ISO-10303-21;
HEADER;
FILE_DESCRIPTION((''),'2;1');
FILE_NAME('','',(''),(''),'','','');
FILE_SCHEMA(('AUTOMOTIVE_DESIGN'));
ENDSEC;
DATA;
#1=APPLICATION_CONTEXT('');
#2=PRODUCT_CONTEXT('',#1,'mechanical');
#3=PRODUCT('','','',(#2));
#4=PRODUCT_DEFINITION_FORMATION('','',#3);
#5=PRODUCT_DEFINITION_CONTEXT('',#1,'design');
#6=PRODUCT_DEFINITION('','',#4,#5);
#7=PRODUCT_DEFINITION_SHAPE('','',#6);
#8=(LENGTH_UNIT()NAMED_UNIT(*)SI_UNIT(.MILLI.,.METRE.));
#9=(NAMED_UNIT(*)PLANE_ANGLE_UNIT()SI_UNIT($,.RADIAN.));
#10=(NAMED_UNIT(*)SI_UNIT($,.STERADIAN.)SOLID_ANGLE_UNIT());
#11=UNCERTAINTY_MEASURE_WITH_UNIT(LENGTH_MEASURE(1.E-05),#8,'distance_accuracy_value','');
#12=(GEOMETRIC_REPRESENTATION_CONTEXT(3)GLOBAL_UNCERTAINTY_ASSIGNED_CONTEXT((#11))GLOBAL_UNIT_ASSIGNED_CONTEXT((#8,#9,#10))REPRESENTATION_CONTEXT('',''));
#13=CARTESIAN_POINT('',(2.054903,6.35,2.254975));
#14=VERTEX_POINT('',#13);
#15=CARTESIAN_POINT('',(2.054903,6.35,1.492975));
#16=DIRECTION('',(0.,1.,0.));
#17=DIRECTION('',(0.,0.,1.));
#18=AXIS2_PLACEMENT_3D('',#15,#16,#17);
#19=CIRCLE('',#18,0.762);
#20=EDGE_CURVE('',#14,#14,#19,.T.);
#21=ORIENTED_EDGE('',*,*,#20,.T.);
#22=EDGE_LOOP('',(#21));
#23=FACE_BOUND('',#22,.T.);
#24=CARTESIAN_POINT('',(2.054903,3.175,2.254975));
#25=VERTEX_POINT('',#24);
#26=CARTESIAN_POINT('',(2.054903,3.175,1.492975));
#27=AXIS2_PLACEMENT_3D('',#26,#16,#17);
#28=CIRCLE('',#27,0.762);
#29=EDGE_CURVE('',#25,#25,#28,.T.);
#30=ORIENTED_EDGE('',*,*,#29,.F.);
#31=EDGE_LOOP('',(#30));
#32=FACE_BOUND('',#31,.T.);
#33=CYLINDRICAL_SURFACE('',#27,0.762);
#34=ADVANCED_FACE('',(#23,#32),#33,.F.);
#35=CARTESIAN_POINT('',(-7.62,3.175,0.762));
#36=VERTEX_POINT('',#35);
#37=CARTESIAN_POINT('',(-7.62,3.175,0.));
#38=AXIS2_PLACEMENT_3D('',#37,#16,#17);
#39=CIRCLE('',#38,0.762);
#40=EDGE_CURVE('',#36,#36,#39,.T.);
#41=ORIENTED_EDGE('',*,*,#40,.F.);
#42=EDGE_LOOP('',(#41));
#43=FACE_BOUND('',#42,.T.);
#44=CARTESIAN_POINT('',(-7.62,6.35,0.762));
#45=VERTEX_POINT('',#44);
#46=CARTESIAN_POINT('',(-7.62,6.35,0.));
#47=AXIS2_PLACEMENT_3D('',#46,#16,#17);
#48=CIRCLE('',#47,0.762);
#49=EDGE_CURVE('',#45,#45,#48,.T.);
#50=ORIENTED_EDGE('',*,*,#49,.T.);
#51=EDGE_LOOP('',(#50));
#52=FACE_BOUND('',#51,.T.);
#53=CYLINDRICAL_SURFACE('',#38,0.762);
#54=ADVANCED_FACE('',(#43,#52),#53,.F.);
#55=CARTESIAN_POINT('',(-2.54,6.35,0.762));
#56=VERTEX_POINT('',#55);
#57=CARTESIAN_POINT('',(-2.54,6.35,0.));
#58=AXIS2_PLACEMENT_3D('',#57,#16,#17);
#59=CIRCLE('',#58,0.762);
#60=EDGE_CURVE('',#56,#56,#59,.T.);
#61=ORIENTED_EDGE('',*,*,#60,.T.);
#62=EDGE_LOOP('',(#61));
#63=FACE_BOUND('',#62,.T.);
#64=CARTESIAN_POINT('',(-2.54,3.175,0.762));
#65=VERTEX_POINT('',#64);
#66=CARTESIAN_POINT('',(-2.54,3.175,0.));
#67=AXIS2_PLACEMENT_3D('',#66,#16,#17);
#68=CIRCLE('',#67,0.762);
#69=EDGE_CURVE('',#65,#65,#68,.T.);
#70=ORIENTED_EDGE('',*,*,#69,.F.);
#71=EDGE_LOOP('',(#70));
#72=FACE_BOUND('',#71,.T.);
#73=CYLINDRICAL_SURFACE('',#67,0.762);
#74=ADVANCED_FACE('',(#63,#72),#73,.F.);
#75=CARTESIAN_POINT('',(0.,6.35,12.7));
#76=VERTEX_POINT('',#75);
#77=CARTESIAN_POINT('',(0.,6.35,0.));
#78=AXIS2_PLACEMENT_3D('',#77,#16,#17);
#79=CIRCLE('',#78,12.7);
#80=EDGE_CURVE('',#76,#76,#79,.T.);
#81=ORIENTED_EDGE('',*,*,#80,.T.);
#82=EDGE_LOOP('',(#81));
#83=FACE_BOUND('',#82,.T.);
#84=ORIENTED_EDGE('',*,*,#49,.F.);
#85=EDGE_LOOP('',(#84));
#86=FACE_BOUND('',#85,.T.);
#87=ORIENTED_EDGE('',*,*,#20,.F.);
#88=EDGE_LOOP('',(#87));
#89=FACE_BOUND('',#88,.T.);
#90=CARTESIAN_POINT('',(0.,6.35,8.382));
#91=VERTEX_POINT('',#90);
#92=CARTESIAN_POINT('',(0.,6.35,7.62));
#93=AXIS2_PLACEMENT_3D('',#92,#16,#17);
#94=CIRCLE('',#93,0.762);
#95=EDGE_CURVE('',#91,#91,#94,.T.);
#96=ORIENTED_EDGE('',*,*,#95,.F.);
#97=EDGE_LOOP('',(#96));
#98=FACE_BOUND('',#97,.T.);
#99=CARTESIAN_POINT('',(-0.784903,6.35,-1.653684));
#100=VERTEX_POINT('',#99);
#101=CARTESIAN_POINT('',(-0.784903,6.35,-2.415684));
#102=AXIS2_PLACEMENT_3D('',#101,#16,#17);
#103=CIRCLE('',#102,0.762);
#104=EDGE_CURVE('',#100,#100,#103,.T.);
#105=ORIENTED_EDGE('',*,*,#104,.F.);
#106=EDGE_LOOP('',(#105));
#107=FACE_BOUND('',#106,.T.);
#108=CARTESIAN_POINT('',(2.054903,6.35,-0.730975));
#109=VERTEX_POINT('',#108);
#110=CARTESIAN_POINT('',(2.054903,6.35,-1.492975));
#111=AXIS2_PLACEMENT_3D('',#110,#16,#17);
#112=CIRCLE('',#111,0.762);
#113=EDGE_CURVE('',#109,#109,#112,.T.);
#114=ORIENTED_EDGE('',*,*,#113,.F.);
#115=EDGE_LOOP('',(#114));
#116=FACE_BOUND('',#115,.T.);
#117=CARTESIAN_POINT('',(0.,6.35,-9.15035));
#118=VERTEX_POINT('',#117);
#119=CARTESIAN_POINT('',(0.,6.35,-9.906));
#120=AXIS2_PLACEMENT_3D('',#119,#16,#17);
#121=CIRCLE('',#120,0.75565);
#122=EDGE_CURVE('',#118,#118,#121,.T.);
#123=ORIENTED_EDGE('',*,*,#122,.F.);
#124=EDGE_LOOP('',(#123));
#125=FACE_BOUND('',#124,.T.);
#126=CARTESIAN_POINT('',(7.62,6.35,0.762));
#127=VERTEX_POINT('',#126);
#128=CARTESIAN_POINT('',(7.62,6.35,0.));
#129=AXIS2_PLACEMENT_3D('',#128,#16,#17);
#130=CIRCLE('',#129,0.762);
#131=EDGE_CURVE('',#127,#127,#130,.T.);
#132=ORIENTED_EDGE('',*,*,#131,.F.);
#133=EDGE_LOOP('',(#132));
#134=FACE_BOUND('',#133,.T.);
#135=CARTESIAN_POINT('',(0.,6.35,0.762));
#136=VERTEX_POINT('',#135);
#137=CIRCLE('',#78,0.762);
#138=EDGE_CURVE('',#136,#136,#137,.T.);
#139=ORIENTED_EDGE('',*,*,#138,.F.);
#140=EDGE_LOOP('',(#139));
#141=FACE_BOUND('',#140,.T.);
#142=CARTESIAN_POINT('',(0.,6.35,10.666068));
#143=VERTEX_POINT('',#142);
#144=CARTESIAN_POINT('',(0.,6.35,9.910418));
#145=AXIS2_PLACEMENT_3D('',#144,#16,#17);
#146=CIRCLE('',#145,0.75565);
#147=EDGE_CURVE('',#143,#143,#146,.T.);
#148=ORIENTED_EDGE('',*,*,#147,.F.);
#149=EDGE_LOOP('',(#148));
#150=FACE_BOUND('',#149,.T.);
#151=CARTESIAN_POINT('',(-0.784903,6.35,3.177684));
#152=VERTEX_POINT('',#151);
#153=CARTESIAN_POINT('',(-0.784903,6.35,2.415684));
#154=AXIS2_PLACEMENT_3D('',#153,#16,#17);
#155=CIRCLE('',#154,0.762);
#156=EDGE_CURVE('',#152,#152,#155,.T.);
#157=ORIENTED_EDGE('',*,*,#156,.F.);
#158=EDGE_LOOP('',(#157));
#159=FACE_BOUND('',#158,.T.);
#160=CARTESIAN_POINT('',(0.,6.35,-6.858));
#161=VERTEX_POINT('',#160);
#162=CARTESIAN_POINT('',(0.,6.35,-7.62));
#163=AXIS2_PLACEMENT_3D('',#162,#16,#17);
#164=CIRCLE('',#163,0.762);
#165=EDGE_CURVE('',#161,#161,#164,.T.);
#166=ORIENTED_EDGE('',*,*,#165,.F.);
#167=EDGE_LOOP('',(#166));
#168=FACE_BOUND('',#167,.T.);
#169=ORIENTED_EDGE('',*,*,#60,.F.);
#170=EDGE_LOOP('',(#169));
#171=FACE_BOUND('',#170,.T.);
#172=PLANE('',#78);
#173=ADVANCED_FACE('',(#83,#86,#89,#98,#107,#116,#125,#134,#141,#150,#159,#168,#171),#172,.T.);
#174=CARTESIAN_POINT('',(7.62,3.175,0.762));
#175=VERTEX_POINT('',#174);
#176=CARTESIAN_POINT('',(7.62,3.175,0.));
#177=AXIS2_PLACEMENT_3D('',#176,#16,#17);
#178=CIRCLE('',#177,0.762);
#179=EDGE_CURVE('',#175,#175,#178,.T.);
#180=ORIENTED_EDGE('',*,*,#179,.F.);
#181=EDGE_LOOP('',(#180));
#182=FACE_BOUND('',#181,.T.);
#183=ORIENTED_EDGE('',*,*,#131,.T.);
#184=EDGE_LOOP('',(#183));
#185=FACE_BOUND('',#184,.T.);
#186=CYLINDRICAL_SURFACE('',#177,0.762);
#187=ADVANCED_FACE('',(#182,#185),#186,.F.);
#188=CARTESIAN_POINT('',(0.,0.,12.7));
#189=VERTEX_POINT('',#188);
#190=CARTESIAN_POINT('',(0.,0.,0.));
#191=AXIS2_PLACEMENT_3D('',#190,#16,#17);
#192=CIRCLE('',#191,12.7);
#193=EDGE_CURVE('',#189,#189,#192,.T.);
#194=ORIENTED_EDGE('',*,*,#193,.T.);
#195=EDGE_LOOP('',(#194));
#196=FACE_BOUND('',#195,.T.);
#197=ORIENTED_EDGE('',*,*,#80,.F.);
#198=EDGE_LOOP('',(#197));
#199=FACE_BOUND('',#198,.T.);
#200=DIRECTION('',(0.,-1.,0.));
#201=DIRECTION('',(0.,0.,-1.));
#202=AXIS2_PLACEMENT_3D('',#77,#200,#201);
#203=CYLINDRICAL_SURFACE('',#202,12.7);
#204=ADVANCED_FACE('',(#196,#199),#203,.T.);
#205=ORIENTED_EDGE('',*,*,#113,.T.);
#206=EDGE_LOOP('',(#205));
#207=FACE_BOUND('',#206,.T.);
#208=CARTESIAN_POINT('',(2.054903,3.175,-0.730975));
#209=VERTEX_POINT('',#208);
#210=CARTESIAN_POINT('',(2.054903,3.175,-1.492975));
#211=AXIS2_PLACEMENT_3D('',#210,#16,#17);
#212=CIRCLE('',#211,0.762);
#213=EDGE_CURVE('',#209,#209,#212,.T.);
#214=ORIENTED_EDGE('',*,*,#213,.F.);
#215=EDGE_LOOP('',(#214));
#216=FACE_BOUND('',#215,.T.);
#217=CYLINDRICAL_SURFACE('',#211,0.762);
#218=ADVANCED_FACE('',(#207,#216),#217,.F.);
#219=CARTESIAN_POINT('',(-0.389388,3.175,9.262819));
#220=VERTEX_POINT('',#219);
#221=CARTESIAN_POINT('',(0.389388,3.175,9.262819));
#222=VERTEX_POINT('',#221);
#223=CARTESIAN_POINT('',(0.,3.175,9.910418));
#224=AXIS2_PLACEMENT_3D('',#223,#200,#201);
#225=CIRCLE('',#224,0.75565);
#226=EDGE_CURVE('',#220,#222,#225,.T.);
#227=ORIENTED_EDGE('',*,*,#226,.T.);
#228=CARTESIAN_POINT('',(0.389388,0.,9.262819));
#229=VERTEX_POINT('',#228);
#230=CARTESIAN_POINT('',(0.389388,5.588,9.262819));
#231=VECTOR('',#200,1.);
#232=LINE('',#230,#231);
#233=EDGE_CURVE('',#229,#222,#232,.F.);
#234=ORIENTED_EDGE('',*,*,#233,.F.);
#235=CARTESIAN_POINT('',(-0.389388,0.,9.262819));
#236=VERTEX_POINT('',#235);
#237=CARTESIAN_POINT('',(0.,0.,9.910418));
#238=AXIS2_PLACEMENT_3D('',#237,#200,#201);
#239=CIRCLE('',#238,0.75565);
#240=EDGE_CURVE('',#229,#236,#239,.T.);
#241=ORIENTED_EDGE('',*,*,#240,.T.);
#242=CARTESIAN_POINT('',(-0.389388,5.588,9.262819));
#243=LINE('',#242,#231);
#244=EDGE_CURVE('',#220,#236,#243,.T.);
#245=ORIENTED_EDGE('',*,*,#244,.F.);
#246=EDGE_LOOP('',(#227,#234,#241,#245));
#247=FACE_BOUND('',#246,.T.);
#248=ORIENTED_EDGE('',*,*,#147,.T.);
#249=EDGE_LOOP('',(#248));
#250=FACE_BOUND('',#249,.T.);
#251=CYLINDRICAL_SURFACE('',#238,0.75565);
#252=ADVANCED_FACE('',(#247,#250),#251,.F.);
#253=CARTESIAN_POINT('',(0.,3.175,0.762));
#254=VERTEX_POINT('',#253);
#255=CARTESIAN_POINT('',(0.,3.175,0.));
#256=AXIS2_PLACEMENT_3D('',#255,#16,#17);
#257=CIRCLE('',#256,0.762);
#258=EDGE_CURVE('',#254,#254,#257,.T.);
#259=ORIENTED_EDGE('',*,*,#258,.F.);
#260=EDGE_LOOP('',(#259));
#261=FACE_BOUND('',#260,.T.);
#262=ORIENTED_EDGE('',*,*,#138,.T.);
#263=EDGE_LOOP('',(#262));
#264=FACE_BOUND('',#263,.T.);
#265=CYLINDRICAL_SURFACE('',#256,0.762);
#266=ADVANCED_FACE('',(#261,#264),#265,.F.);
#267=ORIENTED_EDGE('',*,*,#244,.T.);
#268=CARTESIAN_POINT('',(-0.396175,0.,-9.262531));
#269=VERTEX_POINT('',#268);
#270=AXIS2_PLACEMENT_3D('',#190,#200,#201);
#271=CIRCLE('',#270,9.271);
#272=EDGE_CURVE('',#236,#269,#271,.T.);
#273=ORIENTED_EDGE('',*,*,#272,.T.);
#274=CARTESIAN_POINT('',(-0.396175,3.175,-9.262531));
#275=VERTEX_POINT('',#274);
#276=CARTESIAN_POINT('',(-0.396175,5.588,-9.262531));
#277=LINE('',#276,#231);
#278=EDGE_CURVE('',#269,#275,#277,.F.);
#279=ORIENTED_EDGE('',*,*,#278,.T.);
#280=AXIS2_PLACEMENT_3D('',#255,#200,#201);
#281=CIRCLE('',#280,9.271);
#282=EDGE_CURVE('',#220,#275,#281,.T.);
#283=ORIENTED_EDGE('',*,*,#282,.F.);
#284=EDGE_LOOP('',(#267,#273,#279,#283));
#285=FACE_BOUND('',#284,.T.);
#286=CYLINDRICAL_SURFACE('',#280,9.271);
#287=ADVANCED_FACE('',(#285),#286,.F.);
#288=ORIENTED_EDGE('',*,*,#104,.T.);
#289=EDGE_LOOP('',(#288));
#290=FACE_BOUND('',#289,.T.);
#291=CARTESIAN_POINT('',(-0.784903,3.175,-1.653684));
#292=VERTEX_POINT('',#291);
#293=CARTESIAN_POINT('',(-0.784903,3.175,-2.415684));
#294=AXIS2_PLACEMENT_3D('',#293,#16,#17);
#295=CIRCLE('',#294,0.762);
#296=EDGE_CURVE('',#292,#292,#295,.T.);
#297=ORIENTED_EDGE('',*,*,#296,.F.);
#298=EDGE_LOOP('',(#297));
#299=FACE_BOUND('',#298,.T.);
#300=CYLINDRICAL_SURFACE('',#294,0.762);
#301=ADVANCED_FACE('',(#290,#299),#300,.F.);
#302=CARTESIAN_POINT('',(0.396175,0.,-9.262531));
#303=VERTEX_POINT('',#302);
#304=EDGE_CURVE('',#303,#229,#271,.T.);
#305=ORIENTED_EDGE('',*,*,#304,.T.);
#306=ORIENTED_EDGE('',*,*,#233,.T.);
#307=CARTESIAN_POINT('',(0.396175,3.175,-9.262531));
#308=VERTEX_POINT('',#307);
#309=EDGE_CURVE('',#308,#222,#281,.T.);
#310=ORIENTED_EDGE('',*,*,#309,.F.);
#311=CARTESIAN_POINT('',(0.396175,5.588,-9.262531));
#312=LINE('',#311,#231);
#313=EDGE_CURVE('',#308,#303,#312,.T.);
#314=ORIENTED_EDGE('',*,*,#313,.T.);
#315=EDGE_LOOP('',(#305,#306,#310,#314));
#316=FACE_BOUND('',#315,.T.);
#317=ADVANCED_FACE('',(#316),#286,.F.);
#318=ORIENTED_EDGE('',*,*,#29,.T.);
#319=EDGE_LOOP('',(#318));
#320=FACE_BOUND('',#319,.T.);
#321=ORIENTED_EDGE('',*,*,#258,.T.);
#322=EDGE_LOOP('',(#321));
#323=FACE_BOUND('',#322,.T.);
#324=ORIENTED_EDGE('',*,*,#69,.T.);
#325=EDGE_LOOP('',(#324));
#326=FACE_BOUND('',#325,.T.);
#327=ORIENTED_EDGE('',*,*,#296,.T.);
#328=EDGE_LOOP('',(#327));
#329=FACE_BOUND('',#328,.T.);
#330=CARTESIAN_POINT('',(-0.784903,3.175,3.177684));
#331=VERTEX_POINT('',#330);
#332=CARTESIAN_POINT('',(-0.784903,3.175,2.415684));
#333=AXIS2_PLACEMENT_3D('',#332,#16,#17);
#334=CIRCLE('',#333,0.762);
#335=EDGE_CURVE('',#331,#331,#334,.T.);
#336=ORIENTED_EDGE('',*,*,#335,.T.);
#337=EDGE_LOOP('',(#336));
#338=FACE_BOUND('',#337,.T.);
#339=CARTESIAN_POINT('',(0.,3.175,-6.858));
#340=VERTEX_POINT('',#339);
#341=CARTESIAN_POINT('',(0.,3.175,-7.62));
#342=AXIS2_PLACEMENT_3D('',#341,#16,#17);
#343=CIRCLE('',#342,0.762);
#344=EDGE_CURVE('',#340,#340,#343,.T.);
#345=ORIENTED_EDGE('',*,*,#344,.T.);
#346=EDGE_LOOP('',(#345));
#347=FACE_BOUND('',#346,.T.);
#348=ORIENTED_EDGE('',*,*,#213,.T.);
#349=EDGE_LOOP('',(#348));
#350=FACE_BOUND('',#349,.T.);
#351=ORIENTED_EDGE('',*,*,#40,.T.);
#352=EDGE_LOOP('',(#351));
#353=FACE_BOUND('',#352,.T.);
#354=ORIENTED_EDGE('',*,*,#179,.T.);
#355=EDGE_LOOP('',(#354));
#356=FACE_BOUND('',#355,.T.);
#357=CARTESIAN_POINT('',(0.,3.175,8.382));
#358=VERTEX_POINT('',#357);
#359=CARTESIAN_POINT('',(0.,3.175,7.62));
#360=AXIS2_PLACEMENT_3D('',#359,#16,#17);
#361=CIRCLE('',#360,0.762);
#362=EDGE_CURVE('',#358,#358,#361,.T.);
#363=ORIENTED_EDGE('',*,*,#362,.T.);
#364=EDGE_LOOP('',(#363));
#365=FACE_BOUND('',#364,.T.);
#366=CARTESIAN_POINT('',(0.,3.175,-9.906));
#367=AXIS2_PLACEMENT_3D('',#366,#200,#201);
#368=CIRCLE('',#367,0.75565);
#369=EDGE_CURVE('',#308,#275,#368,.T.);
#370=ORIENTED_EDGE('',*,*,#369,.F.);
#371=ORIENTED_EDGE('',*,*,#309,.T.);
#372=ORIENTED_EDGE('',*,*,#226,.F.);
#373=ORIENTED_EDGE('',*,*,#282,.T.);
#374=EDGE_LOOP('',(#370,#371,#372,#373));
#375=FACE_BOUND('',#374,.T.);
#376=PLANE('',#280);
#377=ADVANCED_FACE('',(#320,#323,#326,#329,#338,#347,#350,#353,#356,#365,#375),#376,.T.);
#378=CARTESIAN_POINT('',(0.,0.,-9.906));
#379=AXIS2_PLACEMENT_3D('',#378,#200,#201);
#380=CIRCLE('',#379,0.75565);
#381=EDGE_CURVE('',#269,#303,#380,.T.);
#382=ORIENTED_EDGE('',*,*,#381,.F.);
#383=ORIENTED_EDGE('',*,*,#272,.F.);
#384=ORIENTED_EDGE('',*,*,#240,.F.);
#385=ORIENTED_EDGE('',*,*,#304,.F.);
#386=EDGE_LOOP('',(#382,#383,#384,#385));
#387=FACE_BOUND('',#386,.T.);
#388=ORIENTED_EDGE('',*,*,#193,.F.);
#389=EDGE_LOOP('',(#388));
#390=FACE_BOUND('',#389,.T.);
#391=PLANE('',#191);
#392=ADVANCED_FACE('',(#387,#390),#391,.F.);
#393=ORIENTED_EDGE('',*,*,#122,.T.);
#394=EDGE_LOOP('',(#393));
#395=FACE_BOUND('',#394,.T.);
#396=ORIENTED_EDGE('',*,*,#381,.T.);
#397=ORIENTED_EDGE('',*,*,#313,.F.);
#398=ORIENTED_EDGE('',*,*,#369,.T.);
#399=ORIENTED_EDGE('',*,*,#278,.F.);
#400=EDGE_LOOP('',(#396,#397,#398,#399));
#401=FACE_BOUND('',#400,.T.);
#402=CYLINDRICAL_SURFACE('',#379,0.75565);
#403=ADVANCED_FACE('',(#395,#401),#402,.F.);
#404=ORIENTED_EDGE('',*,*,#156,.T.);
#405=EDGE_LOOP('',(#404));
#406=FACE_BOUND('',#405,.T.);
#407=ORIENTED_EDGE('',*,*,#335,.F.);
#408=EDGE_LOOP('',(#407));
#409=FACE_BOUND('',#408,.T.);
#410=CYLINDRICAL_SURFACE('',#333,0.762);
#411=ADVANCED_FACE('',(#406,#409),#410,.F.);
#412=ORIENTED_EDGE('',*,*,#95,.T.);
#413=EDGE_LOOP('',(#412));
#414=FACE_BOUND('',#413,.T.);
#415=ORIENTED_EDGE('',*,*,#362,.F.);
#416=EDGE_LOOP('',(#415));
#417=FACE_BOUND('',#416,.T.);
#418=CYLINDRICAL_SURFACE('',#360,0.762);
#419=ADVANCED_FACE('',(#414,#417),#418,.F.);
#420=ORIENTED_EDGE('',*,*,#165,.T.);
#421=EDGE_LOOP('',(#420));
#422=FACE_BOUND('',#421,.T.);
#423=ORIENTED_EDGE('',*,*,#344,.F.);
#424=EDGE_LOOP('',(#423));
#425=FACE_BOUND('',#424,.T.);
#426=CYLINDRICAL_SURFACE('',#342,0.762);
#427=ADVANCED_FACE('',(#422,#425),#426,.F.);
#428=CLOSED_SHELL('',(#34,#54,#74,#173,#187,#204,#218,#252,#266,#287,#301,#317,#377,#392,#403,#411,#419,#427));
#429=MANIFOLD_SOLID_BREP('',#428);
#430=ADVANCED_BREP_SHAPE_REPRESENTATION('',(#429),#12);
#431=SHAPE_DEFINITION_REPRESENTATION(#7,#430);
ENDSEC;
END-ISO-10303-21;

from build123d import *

# Parameters (mm, degrees)
SKETCH1_R           = 12.7
BOSS_EXTRUDE1_DEPTH = 6.35
SKETCH2_R           = 9.271
CUT_EXTRUDE1_DEPTH  = 3.175
CIRPATTERN1_COUNT   = 2
SKETCH6_R           = 0.762
CUT_EXTRUDE2_DEPTH  = 3.175


with BuildPart() as part:
    # Sketch1 → Boss-Extrude1 (new body)
    with BuildSketch(Plane(origin=(0, 0, 0), x_dir=(1, 0, 0), z_dir=(0, 1, 0))):
        with Locations(Location((0, 0, 0), (0, 0, 270))):
            Circle(SKETCH1_R)
    extrude(amount=BOSS_EXTRUDE1_DEPTH)

    # Sketch2 → Cut-Extrude1 (cut)
    with BuildSketch(Plane.XZ):
        with Locations(Location((0, 0, 0), (0, 0, 270))):
            Circle(SKETCH2_R)
    extrude(amount=-CUT_EXTRUDE1_DEPTH, mode=Mode.SUBTRACT)

    # Sketch5 → #1-72 Tapped Hole1 (revolve, cut)
    with BuildSketch(Plane(origin=(0, 0, -9.906), x_dir=(0, 0, -1), z_dir=(1, 0, 0))):
        Polygon((0, 0), (0, 11.630040327), (0.75565, 11.176), (0.75565, 0), align=None)
    f_1_72_tapped_hole1 = revolve(axis=Axis((0, -6.35, -9.906), (0, 1, 0)), mode=Mode.SUBTRACT)

    # CirPattern1: #1-72 Tapped Hole1 ×2 about axis
    cirpattern1_axis = Axis((0, 0, 0.002208913), (0, 1, 0))
    for i in range(1, CIRPATTERN1_COUNT):
        add(f_1_72_tapped_hole1.rotate(cirpattern1_axis, i * 360 / CIRPATTERN1_COUNT), mode=Mode.SUBTRACT)

    # Sketch6 → Cut-Extrude2 (cut)
    with BuildSketch(Plane(origin=(0, 6.35, 0), x_dir=(1, 0, 0), z_dir=(0, 1, 0))):
        with Locations(Location((0, 0, 0), (0, 0, 270))):
            Circle(SKETCH6_R)
        with Locations(Location((-2.54, 0, 0), (0, 0, 270))):
            Circle(SKETCH6_R)
        with Locations(Location((-0.784903166, 2.415683551, 0), (0, 0, 270))):
            Circle(SKETCH6_R)
        with Locations(Location((2.054903166, 1.492974541, 0), (0, 0, 270))):
            Circle(SKETCH6_R)
        with Locations(Location((2.054903166, -1.492974541, 0), (0, 0, 270))):
            Circle(SKETCH6_R)
        with Locations(Location((-0.784903166, -2.415683551, 0), (0, 0, 270))):
            Circle(SKETCH6_R)
        with Locations(Location((0, 7.62, 0), (0, 0, 270))):
            Circle(SKETCH6_R)
        with Locations(Location((7.62, 0, 0), (0, 0, 270))):
            Circle(SKETCH6_R)
        with Locations(Location((0, -7.62, 0), (0, 0, 270))):
            Circle(SKETCH6_R)
        with Locations(Location((-7.62, 0, 0), (0, 0, 270))):
            Circle(SKETCH6_R)
    extrude(amount=-CUT_EXTRUDE2_DEPTH, mode=Mode.SUBTRACT)


solid = part.part
